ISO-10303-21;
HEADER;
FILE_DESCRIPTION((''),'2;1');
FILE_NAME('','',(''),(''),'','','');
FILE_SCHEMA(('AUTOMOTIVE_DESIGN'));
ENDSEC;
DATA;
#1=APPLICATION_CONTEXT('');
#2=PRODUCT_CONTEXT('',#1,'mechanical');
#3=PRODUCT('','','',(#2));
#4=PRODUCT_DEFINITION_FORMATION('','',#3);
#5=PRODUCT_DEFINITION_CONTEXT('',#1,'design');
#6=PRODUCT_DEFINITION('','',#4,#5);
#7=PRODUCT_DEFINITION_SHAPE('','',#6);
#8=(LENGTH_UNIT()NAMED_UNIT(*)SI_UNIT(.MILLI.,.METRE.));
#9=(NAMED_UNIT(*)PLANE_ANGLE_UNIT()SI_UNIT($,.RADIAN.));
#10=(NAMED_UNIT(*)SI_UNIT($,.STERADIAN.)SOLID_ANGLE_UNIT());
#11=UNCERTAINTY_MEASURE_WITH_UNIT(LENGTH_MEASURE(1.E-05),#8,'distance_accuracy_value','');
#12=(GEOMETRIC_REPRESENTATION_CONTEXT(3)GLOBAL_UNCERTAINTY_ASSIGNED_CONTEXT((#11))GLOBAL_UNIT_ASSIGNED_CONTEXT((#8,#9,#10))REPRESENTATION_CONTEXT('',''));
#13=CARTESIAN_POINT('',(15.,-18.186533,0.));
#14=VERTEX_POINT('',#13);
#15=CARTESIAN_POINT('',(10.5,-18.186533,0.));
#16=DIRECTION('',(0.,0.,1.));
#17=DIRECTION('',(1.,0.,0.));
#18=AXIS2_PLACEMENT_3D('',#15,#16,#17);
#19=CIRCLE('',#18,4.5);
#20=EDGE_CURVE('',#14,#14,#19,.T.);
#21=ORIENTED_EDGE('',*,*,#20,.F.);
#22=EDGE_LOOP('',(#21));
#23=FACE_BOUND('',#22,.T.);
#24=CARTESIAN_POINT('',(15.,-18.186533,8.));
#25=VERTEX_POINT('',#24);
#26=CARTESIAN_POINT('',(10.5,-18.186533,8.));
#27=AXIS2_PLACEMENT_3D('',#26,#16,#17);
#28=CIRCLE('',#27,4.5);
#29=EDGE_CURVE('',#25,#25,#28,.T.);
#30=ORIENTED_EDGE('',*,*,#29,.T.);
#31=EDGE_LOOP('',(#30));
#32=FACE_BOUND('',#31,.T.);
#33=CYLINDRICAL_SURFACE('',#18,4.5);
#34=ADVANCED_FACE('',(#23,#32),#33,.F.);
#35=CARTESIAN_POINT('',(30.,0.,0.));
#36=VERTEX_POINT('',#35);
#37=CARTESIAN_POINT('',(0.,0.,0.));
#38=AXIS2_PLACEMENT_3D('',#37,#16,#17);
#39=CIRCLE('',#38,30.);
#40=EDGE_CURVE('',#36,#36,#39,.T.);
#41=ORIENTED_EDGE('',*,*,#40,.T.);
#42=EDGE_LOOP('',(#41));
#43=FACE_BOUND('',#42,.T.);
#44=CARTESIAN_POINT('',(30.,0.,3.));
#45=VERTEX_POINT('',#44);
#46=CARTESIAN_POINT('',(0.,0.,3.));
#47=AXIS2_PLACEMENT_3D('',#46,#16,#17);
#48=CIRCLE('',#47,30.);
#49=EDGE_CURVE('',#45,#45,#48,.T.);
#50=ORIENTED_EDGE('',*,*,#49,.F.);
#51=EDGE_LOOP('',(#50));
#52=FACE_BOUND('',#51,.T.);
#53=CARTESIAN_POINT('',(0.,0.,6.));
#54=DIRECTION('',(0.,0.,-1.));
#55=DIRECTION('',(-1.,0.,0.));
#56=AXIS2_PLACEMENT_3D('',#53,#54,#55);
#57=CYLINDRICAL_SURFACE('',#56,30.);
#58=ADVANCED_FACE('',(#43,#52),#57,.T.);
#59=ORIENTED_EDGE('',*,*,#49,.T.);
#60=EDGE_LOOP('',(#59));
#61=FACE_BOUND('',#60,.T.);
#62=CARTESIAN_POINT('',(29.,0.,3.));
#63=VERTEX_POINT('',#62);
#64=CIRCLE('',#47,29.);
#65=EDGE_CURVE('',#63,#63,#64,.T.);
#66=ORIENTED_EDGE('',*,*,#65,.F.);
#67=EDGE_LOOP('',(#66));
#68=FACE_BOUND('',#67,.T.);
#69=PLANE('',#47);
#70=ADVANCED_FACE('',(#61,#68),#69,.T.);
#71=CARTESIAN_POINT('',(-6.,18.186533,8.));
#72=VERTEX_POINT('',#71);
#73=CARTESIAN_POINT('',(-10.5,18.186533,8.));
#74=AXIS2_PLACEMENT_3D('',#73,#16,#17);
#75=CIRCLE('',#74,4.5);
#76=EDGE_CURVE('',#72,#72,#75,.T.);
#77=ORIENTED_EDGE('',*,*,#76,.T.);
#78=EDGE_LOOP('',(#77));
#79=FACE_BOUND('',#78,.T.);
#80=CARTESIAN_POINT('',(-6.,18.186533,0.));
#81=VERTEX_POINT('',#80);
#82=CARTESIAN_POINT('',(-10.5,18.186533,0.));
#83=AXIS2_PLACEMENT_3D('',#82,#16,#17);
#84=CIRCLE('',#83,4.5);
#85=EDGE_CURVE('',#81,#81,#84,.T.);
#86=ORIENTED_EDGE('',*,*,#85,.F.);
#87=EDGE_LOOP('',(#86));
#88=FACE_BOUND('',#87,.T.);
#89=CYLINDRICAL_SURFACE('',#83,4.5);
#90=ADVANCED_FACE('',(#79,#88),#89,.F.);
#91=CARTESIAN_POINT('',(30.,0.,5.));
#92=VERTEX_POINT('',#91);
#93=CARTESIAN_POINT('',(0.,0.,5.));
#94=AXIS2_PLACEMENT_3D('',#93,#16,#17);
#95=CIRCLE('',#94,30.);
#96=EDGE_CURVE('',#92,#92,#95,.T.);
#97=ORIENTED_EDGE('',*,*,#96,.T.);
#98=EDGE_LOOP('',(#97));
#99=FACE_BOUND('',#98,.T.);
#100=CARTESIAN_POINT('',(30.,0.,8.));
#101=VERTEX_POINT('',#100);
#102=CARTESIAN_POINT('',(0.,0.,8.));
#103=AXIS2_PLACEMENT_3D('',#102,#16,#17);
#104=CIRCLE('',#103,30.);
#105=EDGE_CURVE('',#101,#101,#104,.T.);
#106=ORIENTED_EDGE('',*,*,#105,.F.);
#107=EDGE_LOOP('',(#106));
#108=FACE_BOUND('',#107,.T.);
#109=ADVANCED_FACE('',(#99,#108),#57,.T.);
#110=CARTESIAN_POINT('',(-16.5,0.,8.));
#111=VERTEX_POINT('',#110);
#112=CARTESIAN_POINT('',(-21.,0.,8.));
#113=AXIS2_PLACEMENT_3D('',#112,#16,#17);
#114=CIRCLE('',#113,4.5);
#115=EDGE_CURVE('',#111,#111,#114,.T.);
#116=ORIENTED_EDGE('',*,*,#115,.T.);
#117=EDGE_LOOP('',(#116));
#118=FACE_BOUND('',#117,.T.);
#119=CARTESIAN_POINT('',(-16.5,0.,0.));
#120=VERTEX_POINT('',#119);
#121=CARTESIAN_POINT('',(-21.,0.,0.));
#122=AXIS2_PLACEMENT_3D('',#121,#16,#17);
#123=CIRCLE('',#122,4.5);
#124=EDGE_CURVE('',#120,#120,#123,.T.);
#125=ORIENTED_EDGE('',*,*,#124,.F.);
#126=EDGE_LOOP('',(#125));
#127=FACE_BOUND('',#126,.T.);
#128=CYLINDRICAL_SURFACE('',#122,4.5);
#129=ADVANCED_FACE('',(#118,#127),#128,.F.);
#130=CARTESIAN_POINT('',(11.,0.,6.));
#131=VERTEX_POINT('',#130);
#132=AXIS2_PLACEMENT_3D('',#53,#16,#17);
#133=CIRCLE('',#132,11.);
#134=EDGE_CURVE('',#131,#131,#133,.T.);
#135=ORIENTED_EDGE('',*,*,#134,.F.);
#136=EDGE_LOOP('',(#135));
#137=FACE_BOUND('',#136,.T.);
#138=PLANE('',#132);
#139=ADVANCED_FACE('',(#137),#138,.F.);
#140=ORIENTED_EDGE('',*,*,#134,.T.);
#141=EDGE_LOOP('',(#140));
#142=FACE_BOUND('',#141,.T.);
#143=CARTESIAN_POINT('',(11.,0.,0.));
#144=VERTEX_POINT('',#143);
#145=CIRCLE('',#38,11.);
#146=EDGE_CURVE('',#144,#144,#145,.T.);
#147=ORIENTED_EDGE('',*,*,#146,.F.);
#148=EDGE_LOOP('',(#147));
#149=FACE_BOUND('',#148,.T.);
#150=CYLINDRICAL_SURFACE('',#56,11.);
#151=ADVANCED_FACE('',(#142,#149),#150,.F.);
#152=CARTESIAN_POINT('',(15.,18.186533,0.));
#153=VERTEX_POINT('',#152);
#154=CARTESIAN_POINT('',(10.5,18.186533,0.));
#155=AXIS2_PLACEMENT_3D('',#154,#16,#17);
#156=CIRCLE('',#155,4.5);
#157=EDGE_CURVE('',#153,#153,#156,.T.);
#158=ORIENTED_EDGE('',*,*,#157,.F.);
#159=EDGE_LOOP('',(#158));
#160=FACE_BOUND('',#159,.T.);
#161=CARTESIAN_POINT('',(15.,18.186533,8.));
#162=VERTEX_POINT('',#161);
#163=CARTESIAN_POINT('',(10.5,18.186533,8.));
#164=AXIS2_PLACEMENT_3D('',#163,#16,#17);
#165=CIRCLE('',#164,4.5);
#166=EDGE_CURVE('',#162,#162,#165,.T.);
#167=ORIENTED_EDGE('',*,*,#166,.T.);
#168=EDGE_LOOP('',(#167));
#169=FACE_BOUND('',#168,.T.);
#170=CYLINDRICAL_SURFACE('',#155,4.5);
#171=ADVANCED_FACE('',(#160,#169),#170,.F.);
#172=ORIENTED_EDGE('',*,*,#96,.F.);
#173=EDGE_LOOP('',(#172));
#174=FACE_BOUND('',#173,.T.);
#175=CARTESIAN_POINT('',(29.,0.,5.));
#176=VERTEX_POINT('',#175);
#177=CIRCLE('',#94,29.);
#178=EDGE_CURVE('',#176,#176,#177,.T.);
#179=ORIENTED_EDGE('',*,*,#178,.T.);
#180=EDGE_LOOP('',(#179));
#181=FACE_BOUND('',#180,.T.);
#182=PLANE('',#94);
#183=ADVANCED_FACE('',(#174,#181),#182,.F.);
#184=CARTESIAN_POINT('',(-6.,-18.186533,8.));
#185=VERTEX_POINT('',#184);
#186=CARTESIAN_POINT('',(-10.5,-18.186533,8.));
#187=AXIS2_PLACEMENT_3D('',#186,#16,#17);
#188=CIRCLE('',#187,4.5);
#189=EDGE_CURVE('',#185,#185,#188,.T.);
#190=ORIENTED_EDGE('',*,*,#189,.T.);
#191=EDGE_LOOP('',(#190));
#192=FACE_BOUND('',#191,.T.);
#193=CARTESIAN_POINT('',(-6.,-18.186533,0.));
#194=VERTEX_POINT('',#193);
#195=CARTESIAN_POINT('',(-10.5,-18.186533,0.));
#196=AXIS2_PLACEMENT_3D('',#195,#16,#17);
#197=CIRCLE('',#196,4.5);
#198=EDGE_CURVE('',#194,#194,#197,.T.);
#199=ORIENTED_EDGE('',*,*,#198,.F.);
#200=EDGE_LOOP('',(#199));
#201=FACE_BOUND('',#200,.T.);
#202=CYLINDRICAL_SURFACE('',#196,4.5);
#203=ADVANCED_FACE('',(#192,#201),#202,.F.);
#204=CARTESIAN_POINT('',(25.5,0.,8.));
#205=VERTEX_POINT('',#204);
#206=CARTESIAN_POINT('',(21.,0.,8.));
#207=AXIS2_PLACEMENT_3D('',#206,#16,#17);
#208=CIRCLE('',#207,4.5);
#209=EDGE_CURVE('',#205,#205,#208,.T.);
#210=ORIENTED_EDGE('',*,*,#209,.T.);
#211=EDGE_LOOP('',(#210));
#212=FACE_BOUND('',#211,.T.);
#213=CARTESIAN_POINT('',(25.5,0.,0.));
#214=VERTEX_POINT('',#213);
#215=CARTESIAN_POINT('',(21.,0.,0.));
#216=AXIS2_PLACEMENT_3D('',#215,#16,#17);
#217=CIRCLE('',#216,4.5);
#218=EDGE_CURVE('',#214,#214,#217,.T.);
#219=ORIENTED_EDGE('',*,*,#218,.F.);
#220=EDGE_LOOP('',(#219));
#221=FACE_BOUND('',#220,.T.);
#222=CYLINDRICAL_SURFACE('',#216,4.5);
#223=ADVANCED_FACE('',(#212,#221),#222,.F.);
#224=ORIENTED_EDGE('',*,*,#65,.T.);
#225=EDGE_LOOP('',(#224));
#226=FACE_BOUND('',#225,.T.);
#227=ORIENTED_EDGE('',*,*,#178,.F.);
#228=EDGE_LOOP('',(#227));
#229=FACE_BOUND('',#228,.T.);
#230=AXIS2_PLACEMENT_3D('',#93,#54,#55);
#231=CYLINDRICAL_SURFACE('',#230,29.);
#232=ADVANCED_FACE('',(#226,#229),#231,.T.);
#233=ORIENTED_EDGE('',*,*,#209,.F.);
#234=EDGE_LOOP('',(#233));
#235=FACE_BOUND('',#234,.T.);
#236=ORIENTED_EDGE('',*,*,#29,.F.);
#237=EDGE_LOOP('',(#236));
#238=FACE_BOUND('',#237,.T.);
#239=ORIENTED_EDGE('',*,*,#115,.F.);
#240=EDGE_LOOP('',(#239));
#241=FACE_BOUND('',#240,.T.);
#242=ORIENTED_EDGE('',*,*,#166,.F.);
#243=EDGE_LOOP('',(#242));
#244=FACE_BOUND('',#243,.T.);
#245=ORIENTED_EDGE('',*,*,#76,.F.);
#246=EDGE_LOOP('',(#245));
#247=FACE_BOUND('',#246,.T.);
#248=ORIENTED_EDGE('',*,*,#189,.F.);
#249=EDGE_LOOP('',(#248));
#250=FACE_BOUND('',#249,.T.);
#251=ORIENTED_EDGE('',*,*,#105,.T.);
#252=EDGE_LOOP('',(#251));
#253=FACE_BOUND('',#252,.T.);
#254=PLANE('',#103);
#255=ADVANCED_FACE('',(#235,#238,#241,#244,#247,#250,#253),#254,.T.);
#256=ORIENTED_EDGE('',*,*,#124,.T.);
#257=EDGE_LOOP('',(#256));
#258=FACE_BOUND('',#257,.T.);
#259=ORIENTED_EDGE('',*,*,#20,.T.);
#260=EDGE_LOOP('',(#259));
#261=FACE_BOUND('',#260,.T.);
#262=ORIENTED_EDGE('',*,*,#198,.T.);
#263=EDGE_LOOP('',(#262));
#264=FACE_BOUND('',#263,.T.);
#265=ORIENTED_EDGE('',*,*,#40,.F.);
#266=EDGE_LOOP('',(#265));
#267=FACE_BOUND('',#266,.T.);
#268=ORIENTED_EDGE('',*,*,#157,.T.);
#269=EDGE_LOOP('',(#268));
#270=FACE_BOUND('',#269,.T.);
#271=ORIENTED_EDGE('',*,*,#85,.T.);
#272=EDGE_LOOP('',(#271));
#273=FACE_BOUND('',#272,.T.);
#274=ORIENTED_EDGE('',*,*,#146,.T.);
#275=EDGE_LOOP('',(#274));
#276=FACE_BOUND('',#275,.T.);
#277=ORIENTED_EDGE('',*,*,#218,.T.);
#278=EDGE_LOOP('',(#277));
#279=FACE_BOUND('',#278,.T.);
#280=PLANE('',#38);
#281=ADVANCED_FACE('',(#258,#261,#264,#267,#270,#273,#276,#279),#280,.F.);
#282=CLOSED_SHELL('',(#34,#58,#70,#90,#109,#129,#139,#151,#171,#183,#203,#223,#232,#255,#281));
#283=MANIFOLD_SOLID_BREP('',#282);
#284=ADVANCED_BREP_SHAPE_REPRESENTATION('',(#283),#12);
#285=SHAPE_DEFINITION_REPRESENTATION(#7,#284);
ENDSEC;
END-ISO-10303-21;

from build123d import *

# Parameters (mm, degrees)
ESQUISSE1_R                  = 30
ESQUISSE1_R_2                = 11
BOSS_EXTRU_1_DEPTH           = 6
ESQUISSE2_R                  = 30
BOSS_EXTRU_2_DEPTH           = 2
ENL_V_MAT_EXTRU_1_DEPTH      = 1
ENL_V_MAT_EXTRU_1_DEPTH_BACK = 1
ESQUISSE3_R                  = 30
ESQUISSE3_R_2                = 29
ESQUISSE4_R                  = 4.5
AJOURAGE_DEPTH               = 44.17406629


with BuildPart() as part:
    # Esquisse1 → Boss.-Extru.1 (new body)
    with BuildSketch(Plane.XY):
        Circle(ESQUISSE1_R)
        Circle(ESQUISSE1_R_2, mode=Mode.SUBTRACT)
    extrude(amount=BOSS_EXTRU_1_DEPTH)

    # Esquisse2 → Boss.-Extru.2 (add)
    with BuildSketch(Plane.XY.offset(6)):
        Circle(ESQUISSE2_R)
    extrude(amount=BOSS_EXTRU_2_DEPTH)

    # Esquisse3 → Enlèv. mat.-Extru.1 (cut, two sides: drawn at the far end of the back side and taken through both)
    with BuildSketch(Plane.XY.offset(4).offset(-ENL_V_MAT_EXTRU_1_DEPTH_BACK)):
        Circle(ESQUISSE3_R)
        Circle(ESQUISSE3_R_2, mode=Mode.SUBTRACT)
    extrude(amount=ENL_V_MAT_EXTRU_1_DEPTH + ENL_V_MAT_EXTRU_1_DEPTH_BACK, mode=Mode.SUBTRACT)

    # Esquisse4 → Ajourage (cut, through all)
    with BuildSketch(Plane.XY.offset(8)):
        with Locations((21, 0)):
            Circle(ESQUISSE4_R)
        with Locations((10.5, 18.186533479)):
            Circle(ESQUISSE4_R)
        with Locations((-10.5, 18.186533479)):
            Circle(ESQUISSE4_R)
        with Locations((-21, 0)):
            Circle(ESQUISSE4_R)
        with Locations((-10.5, -18.186533479)):
            Circle(ESQUISSE4_R)
        with Locations((10.5, -18.186533479)):
            Circle(ESQUISSE4_R)
    extrude(amount=-AJOURAGE_DEPTH, mode=Mode.SUBTRACT)


solid = part.part
